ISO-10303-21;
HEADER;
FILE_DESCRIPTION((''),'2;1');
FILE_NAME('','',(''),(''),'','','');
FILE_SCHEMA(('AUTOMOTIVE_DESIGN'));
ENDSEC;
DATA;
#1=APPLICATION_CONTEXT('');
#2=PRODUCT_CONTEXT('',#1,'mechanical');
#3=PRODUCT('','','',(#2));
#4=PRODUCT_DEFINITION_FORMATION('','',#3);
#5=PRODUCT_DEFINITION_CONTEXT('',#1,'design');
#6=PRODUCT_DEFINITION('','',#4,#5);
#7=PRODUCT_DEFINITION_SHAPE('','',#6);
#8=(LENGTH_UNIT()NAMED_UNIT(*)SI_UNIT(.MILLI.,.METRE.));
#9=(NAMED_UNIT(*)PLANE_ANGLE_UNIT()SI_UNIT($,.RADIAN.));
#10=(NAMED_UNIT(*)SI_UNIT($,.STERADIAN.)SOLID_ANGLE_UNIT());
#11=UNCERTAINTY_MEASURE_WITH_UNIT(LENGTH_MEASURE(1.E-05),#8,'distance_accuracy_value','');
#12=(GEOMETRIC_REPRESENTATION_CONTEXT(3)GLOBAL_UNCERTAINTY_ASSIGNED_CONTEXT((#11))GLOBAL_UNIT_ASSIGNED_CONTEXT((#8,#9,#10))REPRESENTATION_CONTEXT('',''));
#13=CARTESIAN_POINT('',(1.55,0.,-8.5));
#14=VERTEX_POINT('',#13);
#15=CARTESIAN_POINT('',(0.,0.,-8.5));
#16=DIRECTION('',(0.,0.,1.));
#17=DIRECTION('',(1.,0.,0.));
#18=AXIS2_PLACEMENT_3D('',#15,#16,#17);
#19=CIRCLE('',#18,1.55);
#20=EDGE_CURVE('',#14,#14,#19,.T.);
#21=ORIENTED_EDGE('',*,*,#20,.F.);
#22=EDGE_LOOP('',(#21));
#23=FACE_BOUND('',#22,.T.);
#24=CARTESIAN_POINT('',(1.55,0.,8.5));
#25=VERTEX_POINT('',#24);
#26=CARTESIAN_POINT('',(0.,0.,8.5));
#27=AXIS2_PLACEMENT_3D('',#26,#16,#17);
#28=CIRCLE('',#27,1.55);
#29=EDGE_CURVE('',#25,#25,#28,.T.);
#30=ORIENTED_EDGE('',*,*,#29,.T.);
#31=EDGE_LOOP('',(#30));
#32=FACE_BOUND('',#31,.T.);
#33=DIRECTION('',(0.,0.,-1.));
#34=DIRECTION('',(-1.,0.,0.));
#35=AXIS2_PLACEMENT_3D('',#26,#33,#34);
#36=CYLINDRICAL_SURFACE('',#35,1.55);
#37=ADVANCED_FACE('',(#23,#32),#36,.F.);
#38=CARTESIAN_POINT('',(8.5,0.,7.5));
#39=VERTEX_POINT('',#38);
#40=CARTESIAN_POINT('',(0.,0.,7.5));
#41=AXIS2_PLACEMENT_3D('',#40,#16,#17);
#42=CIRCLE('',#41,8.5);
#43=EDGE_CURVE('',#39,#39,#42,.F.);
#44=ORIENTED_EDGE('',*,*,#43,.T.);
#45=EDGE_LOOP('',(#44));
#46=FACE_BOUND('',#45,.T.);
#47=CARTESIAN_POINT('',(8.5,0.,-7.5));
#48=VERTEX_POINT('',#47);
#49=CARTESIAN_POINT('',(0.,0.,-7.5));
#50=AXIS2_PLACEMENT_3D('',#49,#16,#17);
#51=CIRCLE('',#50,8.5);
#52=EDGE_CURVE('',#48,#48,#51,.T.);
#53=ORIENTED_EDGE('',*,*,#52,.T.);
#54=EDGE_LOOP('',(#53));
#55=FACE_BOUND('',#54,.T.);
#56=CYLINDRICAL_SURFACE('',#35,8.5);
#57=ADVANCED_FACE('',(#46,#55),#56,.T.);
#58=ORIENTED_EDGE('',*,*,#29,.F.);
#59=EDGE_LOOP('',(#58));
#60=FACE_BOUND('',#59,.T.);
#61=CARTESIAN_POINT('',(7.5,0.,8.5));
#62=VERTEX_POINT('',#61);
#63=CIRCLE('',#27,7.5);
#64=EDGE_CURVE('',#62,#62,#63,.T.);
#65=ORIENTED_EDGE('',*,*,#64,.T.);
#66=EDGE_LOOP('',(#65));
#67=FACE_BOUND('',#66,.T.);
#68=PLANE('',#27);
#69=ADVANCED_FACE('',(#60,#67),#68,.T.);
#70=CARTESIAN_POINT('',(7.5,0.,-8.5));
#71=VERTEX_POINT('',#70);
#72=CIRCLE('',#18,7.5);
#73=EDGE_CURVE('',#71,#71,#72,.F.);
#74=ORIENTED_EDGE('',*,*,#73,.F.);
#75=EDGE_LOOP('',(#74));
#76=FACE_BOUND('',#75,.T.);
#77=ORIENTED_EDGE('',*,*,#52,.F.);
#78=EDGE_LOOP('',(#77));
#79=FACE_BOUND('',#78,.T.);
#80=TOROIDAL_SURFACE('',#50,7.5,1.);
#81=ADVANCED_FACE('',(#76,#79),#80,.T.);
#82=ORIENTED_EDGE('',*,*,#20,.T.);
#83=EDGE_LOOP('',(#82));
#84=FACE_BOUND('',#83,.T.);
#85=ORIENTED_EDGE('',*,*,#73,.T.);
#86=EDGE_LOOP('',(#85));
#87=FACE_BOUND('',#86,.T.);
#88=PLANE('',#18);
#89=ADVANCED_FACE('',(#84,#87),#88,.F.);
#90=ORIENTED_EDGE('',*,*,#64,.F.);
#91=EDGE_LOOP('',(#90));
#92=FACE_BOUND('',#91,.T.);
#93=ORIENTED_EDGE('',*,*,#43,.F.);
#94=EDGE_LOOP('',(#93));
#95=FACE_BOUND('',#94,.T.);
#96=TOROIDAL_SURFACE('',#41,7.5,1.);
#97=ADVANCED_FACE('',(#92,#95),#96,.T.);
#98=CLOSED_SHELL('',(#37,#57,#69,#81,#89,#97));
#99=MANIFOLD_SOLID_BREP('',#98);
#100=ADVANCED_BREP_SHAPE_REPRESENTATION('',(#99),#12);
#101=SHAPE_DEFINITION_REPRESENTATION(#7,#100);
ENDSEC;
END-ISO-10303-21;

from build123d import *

# Parameters (mm, degrees)
SKETCH1_R           = 8.5
SKETCH1_R_2         = 1.55
BOSS_EXTRUDE1_DEPTH = 8.5
FILLET1_R           = 1


with BuildPart() as part:
    # Sketch1 → Boss-Extrude1 (new body, symmetric)
    with BuildSketch(Plane.XY):
        Circle(SKETCH1_R)
        Circle(SKETCH1_R_2, mode=Mode.SUBTRACT)
    extrude(amount=BOSS_EXTRUDE1_DEPTH, both=True)

    # Fillet1
    fillet1_edges = [part.edges().sort_by_distance(p)[0] for p in [
        (-8.5, 0, -8.5),
        (-8.5, 0, 8.5),
    ]]
    fillet(fillet1_edges, radius=FILLET1_R)


solid = part.part
